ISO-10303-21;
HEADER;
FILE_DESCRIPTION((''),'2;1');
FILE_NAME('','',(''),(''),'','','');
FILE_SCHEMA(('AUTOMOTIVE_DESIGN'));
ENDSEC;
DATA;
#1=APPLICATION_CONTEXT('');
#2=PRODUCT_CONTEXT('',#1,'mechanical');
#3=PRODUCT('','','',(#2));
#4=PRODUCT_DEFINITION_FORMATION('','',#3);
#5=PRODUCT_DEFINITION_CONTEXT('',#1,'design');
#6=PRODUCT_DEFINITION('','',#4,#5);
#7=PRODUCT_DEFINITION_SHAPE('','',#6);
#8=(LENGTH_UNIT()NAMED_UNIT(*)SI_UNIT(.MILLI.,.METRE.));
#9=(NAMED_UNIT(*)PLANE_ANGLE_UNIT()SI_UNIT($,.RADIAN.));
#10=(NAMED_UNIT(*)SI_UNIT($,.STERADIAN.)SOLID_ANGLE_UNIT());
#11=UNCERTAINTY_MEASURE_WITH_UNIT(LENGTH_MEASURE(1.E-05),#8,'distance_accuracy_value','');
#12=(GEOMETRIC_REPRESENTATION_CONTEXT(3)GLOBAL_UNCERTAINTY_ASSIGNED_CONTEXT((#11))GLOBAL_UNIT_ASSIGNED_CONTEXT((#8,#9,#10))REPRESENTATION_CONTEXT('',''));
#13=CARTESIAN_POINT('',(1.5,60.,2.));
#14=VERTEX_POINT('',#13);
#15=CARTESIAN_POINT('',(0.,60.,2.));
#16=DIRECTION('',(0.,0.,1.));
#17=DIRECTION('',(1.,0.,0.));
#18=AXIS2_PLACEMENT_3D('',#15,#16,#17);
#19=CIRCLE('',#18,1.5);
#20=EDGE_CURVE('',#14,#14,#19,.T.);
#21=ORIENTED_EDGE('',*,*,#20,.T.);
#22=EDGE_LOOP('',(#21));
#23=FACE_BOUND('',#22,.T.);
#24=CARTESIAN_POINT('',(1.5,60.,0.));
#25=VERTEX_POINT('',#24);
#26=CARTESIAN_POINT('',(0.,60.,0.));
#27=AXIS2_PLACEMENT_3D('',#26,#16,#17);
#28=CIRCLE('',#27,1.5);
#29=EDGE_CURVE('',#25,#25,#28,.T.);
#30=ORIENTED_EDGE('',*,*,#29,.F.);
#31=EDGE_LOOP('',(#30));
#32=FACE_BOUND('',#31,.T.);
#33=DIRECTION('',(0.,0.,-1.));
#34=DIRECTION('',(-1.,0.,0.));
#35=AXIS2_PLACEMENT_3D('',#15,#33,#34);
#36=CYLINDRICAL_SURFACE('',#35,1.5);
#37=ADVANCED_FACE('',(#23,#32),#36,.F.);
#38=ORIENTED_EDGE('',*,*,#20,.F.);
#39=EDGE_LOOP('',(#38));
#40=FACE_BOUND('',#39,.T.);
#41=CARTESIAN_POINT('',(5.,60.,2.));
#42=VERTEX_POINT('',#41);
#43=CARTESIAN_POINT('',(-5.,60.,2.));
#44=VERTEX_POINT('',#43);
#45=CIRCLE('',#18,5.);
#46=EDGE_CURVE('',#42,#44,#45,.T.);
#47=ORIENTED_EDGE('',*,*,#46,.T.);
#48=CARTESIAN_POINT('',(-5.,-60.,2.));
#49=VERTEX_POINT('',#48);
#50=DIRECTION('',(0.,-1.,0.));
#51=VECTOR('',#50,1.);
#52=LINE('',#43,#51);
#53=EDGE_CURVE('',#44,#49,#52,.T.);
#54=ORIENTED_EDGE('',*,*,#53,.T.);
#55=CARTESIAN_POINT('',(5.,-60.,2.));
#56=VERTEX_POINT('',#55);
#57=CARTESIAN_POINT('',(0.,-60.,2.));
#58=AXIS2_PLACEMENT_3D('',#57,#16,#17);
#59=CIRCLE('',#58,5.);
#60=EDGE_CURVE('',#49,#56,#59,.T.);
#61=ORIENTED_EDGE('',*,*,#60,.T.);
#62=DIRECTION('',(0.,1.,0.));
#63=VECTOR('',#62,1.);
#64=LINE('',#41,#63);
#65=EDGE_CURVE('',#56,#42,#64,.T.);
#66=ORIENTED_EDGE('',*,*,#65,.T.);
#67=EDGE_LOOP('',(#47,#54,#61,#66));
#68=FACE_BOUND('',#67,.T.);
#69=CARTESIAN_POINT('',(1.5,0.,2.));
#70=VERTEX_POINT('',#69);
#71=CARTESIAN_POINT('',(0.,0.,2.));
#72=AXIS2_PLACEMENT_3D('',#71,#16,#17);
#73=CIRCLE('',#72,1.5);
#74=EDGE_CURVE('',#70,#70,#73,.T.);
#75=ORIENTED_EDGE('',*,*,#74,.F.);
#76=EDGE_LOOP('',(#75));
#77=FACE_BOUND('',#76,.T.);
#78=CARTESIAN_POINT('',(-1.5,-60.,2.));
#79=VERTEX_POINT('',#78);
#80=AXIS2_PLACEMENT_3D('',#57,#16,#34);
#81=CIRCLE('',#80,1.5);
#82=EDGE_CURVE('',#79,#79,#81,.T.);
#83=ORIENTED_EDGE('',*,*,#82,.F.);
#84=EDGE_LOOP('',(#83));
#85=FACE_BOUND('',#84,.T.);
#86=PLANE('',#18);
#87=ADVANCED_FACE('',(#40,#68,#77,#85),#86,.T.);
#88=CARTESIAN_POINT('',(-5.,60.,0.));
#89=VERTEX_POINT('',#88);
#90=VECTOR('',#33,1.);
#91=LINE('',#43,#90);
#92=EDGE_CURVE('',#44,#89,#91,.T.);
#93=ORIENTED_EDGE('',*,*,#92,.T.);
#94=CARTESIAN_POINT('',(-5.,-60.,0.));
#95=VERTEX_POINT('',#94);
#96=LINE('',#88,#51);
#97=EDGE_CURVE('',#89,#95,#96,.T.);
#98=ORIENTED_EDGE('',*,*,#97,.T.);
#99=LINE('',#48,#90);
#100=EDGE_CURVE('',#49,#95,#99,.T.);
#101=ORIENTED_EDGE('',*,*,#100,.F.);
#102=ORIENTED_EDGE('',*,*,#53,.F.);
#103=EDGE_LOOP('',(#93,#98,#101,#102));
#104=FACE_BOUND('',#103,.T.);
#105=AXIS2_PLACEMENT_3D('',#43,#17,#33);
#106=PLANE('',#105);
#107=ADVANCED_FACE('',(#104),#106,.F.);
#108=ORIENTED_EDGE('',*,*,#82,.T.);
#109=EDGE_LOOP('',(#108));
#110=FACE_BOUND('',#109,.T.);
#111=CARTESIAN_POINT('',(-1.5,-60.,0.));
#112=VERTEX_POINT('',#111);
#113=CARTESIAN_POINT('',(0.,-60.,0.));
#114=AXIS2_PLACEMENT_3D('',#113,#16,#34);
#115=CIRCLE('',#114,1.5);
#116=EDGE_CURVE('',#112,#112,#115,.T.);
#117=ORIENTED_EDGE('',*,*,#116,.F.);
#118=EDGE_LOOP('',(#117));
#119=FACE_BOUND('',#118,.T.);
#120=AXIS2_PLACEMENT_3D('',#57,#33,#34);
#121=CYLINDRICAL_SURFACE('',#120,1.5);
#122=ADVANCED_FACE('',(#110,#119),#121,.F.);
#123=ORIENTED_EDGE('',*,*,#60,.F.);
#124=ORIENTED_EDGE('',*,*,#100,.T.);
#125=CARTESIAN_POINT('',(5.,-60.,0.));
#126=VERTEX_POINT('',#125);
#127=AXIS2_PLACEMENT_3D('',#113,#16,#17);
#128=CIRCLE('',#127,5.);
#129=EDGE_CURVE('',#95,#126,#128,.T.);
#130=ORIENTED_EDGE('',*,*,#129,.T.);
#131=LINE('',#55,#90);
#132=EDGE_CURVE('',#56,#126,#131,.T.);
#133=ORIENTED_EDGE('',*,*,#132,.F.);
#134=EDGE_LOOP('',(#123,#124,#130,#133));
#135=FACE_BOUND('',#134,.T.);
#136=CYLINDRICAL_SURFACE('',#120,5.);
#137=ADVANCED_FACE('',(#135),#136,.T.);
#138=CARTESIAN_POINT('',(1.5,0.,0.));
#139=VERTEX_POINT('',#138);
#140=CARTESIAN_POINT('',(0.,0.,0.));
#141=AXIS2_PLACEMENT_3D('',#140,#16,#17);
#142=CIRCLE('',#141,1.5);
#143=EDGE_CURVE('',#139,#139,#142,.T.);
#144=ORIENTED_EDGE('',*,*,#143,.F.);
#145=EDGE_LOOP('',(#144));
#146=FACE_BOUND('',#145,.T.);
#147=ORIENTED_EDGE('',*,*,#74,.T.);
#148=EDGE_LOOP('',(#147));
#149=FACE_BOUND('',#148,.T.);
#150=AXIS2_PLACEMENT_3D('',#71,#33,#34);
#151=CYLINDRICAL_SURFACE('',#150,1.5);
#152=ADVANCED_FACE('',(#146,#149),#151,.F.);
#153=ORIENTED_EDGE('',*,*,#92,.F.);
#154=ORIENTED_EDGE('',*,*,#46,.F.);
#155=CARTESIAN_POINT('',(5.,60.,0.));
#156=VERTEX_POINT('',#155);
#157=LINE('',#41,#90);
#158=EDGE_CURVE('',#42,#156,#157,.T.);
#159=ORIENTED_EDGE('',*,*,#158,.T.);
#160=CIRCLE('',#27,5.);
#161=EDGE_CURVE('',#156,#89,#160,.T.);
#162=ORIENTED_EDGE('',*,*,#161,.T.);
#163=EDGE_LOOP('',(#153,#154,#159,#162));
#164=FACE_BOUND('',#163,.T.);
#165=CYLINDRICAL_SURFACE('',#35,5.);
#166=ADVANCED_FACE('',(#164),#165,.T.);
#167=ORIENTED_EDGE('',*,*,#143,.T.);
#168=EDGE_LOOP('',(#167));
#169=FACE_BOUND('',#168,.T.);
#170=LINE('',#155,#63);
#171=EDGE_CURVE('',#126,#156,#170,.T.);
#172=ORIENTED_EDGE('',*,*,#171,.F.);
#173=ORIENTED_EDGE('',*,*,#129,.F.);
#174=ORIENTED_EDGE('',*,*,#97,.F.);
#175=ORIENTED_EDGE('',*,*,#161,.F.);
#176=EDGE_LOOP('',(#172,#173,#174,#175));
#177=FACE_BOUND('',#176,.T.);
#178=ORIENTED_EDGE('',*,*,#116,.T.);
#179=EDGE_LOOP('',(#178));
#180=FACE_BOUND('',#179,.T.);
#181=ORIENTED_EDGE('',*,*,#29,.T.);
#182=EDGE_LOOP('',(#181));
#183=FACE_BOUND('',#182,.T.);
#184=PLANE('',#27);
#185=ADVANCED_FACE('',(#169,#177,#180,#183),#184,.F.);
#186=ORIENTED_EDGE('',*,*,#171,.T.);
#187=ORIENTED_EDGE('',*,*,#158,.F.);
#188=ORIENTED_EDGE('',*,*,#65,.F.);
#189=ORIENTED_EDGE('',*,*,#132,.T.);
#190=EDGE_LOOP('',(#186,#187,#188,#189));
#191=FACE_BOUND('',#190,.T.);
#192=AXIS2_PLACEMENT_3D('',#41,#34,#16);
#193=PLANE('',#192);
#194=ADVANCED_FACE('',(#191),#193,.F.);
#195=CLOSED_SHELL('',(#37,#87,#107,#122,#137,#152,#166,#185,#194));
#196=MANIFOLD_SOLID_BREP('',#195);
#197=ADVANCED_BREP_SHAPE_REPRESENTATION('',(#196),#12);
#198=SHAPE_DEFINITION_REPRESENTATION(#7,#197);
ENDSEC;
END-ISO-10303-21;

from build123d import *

# Parameters (mm, degrees)
SKETCH_1_R      = 1.5
EXTRUDE_1_DEPTH = 2


with BuildPart() as part:
    # 草图1 → 凸台-拉伸1 (new body)
    with BuildSketch(Plane.XY):
        with BuildLine():
            Line((5, 60), (5, -60))
            ThreePointArc((5, -60), (0, -65), (-5, -60))
            Line((-5, -60), (-5, 60))
            ThreePointArc((-5, 60), (0, 65), (5, 60))
        make_face()
        with Locations((0, 60)):
            Circle(SKETCH_1_R, mode=Mode.SUBTRACT)
        with Locations(Location((0, -60, 0), (0, 0, 180))):
            Circle(SKETCH_1_R, mode=Mode.SUBTRACT)
        Circle(SKETCH_1_R, mode=Mode.SUBTRACT)
    extrude(amount=EXTRUDE_1_DEPTH)


solid = part.part
